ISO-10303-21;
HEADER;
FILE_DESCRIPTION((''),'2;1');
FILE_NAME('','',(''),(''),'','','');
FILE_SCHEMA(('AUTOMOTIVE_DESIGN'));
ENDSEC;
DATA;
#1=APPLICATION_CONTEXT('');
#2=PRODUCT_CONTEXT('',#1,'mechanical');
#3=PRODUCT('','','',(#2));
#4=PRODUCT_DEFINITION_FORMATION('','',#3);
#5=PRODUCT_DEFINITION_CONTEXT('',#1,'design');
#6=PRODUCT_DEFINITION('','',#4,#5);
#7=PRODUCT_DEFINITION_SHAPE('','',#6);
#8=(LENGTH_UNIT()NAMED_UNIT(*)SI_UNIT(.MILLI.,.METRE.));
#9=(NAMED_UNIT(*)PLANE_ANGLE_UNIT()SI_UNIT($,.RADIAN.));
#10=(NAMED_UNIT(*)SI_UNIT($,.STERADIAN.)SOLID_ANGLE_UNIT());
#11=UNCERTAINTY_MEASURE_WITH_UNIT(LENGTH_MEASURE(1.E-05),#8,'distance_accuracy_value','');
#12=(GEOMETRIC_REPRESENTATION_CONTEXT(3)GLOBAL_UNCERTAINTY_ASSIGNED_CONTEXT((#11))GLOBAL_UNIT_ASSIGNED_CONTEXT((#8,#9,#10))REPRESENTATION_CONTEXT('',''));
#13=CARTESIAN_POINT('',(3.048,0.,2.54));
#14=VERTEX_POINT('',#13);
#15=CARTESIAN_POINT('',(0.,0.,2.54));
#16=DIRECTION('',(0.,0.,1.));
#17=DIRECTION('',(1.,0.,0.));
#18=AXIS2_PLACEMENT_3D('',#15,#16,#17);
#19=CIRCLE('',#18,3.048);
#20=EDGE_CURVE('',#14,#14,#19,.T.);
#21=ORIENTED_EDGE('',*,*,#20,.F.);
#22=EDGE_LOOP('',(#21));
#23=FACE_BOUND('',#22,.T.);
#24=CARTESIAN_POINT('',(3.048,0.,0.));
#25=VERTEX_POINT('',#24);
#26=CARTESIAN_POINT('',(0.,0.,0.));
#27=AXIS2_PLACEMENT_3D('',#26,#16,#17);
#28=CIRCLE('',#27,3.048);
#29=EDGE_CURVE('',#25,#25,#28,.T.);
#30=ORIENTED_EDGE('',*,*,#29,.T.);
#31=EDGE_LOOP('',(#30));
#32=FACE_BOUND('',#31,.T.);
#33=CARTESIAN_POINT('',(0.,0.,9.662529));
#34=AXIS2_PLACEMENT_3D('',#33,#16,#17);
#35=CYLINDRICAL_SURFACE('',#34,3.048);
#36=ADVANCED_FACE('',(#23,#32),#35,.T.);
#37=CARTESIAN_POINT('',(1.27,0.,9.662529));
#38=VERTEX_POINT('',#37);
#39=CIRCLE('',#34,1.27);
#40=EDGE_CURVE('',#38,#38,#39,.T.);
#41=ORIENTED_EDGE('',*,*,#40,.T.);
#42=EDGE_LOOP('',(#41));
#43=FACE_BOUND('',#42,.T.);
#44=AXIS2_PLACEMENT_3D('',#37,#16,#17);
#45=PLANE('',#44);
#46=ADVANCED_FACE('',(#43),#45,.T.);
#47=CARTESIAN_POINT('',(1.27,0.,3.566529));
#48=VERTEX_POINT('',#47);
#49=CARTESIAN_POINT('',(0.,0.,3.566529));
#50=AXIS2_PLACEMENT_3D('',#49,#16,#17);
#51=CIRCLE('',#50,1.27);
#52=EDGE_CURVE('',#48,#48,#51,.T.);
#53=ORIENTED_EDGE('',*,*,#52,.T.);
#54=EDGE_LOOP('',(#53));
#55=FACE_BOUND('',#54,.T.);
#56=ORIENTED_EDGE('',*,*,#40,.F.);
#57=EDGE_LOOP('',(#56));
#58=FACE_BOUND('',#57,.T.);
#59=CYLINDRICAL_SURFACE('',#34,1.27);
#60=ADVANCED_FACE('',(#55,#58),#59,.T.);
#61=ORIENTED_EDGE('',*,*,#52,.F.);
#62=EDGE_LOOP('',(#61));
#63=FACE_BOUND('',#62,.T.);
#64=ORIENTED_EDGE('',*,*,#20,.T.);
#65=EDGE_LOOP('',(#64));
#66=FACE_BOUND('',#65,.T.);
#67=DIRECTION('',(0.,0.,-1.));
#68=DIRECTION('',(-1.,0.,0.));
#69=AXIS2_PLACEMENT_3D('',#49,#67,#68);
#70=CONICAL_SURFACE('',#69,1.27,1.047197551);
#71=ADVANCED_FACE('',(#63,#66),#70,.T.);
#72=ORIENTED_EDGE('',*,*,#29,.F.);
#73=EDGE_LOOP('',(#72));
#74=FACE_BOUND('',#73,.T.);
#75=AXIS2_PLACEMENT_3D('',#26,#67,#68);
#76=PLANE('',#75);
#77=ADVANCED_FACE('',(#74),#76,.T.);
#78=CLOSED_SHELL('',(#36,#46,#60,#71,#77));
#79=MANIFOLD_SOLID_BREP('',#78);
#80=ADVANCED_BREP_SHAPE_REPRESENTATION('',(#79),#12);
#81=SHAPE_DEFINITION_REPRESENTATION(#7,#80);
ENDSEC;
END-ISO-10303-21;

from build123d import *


with BuildPart() as part:
    # Sketch1 → Revolve1 (revolve)
    with BuildSketch(Plane(origin=(0, 0, 0), x_dir=(1, 0, 0), z_dir=(0, 1, 0))):
        Polygon((0, 0), (3.048, 0), (3.048, -2.54), (1.27, -3.566528779), (1.27, -9.662528779), (0, -9.662528779), align=None)
    revolve(axis=Axis((0, 0, 9.662528779), (0, 0, -1)))


solid = part.part
